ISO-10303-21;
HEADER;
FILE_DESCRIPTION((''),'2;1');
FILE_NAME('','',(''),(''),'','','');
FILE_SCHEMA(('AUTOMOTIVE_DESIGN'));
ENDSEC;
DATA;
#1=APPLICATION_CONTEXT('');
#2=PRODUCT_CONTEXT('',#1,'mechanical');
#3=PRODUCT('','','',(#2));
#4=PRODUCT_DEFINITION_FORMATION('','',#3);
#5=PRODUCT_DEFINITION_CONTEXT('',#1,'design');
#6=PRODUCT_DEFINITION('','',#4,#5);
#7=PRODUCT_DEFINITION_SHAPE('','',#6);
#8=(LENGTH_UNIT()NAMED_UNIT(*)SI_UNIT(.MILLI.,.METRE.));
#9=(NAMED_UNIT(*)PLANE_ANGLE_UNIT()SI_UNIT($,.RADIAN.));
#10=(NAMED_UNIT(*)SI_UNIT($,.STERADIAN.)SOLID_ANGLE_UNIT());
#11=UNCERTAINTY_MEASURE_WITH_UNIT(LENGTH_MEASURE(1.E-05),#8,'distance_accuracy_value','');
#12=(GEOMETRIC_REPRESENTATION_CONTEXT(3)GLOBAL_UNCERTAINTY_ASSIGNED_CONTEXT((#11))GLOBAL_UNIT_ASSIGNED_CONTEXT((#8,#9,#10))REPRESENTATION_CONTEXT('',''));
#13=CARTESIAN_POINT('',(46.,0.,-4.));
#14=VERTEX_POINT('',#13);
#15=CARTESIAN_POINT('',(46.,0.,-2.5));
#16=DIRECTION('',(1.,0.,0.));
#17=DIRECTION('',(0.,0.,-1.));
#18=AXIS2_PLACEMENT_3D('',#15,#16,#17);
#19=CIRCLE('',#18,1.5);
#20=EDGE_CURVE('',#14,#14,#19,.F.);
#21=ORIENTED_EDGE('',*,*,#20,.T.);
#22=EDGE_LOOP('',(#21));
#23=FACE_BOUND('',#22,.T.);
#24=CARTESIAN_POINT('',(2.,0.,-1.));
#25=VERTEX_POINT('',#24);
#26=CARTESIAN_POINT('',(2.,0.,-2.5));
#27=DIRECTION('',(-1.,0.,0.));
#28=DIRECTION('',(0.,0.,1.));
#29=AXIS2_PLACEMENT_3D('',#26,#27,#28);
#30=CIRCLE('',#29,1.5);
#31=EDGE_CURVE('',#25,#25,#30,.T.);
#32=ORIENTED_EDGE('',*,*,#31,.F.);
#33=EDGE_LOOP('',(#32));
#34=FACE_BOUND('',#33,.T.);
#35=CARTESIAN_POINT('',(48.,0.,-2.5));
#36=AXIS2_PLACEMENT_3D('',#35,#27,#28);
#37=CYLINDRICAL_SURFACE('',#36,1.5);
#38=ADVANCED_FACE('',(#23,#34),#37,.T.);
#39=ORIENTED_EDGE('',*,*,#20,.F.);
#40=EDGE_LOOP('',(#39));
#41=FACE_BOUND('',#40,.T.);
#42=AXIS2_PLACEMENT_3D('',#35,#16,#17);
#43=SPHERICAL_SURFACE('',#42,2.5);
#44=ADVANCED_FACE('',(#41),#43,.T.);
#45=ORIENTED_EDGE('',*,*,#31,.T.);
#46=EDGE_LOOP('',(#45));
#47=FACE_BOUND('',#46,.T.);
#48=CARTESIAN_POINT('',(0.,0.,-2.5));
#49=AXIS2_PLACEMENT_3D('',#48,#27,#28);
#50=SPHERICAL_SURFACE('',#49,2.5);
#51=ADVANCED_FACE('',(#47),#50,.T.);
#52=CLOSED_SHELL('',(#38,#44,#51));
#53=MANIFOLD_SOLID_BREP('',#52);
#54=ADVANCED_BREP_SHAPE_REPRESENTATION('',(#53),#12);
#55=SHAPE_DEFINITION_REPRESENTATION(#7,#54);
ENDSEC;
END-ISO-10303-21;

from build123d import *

# Parameters (mm, degrees)
SKETCH5_R   = 1.5
SHAFT_DEPTH = 48


with BuildPart() as part:
    # Sketch4 → Semi-circle Revolve (revolve)
    with BuildSketch(Plane(origin=(0, 0, 0), x_dir=(0, 0, -1), z_dir=(1, 0, 0))):
        with BuildLine():
            Line((0, 0), (2.5, 0))
            Line((2.5, 0), (2.5, -2.5))
            ThreePointArc((2.5, -2.5), (0.732233047, -1.767766953), (0, 0))
        make_face()
    semi_circle_revolve = revolve(axis=Axis((0, 0, -2.5), (0, -1, 0)))

    # Full-circle Mirror: Semi-circle Revolve across plane
    add(semi_circle_revolve.mirror(Plane(origin=(0, 0, 0), x_dir=(0, 0, 1), z_dir=(0, -1, 0))))

    # Sketch5 → Shaft (add)
    with BuildSketch(Plane(origin=(0, 0, 0), x_dir=(0, 0, -1), z_dir=(1, 0, 0))):
        with Locations(Location((2.5, 0, 0), (0, 0, 180))):
            Circle(SKETCH5_R)
    extrude(amount=SHAFT_DEPTH)

    # Sketch6 → Opposite Semi-circle Revolve (revolve)
    with BuildSketch(Plane(origin=(48, 0, 0), x_dir=(0, 0, -1), z_dir=(1, 0, 0))):
        with BuildLine():
            Line((0, 0), (2.5, 0))
            Line((2.5, 0), (2.5, -2.5))
            ThreePointArc((2.5, -2.5), (0.732233047, -1.767766953), (0, 0))
        make_face()
    opposite_semi_circle_revolve = revolve(axis=Axis((48, 0, -2.5), (0, -1, 0)))

    # Opposite Full-circle Mirror: Opposite Semi-circle Revolve across plane
    add(opposite_semi_circle_revolve.mirror(Plane(origin=(48, 0, 0), x_dir=(0, 0, 1), z_dir=(0, 1, 0))))


solid = part.part
